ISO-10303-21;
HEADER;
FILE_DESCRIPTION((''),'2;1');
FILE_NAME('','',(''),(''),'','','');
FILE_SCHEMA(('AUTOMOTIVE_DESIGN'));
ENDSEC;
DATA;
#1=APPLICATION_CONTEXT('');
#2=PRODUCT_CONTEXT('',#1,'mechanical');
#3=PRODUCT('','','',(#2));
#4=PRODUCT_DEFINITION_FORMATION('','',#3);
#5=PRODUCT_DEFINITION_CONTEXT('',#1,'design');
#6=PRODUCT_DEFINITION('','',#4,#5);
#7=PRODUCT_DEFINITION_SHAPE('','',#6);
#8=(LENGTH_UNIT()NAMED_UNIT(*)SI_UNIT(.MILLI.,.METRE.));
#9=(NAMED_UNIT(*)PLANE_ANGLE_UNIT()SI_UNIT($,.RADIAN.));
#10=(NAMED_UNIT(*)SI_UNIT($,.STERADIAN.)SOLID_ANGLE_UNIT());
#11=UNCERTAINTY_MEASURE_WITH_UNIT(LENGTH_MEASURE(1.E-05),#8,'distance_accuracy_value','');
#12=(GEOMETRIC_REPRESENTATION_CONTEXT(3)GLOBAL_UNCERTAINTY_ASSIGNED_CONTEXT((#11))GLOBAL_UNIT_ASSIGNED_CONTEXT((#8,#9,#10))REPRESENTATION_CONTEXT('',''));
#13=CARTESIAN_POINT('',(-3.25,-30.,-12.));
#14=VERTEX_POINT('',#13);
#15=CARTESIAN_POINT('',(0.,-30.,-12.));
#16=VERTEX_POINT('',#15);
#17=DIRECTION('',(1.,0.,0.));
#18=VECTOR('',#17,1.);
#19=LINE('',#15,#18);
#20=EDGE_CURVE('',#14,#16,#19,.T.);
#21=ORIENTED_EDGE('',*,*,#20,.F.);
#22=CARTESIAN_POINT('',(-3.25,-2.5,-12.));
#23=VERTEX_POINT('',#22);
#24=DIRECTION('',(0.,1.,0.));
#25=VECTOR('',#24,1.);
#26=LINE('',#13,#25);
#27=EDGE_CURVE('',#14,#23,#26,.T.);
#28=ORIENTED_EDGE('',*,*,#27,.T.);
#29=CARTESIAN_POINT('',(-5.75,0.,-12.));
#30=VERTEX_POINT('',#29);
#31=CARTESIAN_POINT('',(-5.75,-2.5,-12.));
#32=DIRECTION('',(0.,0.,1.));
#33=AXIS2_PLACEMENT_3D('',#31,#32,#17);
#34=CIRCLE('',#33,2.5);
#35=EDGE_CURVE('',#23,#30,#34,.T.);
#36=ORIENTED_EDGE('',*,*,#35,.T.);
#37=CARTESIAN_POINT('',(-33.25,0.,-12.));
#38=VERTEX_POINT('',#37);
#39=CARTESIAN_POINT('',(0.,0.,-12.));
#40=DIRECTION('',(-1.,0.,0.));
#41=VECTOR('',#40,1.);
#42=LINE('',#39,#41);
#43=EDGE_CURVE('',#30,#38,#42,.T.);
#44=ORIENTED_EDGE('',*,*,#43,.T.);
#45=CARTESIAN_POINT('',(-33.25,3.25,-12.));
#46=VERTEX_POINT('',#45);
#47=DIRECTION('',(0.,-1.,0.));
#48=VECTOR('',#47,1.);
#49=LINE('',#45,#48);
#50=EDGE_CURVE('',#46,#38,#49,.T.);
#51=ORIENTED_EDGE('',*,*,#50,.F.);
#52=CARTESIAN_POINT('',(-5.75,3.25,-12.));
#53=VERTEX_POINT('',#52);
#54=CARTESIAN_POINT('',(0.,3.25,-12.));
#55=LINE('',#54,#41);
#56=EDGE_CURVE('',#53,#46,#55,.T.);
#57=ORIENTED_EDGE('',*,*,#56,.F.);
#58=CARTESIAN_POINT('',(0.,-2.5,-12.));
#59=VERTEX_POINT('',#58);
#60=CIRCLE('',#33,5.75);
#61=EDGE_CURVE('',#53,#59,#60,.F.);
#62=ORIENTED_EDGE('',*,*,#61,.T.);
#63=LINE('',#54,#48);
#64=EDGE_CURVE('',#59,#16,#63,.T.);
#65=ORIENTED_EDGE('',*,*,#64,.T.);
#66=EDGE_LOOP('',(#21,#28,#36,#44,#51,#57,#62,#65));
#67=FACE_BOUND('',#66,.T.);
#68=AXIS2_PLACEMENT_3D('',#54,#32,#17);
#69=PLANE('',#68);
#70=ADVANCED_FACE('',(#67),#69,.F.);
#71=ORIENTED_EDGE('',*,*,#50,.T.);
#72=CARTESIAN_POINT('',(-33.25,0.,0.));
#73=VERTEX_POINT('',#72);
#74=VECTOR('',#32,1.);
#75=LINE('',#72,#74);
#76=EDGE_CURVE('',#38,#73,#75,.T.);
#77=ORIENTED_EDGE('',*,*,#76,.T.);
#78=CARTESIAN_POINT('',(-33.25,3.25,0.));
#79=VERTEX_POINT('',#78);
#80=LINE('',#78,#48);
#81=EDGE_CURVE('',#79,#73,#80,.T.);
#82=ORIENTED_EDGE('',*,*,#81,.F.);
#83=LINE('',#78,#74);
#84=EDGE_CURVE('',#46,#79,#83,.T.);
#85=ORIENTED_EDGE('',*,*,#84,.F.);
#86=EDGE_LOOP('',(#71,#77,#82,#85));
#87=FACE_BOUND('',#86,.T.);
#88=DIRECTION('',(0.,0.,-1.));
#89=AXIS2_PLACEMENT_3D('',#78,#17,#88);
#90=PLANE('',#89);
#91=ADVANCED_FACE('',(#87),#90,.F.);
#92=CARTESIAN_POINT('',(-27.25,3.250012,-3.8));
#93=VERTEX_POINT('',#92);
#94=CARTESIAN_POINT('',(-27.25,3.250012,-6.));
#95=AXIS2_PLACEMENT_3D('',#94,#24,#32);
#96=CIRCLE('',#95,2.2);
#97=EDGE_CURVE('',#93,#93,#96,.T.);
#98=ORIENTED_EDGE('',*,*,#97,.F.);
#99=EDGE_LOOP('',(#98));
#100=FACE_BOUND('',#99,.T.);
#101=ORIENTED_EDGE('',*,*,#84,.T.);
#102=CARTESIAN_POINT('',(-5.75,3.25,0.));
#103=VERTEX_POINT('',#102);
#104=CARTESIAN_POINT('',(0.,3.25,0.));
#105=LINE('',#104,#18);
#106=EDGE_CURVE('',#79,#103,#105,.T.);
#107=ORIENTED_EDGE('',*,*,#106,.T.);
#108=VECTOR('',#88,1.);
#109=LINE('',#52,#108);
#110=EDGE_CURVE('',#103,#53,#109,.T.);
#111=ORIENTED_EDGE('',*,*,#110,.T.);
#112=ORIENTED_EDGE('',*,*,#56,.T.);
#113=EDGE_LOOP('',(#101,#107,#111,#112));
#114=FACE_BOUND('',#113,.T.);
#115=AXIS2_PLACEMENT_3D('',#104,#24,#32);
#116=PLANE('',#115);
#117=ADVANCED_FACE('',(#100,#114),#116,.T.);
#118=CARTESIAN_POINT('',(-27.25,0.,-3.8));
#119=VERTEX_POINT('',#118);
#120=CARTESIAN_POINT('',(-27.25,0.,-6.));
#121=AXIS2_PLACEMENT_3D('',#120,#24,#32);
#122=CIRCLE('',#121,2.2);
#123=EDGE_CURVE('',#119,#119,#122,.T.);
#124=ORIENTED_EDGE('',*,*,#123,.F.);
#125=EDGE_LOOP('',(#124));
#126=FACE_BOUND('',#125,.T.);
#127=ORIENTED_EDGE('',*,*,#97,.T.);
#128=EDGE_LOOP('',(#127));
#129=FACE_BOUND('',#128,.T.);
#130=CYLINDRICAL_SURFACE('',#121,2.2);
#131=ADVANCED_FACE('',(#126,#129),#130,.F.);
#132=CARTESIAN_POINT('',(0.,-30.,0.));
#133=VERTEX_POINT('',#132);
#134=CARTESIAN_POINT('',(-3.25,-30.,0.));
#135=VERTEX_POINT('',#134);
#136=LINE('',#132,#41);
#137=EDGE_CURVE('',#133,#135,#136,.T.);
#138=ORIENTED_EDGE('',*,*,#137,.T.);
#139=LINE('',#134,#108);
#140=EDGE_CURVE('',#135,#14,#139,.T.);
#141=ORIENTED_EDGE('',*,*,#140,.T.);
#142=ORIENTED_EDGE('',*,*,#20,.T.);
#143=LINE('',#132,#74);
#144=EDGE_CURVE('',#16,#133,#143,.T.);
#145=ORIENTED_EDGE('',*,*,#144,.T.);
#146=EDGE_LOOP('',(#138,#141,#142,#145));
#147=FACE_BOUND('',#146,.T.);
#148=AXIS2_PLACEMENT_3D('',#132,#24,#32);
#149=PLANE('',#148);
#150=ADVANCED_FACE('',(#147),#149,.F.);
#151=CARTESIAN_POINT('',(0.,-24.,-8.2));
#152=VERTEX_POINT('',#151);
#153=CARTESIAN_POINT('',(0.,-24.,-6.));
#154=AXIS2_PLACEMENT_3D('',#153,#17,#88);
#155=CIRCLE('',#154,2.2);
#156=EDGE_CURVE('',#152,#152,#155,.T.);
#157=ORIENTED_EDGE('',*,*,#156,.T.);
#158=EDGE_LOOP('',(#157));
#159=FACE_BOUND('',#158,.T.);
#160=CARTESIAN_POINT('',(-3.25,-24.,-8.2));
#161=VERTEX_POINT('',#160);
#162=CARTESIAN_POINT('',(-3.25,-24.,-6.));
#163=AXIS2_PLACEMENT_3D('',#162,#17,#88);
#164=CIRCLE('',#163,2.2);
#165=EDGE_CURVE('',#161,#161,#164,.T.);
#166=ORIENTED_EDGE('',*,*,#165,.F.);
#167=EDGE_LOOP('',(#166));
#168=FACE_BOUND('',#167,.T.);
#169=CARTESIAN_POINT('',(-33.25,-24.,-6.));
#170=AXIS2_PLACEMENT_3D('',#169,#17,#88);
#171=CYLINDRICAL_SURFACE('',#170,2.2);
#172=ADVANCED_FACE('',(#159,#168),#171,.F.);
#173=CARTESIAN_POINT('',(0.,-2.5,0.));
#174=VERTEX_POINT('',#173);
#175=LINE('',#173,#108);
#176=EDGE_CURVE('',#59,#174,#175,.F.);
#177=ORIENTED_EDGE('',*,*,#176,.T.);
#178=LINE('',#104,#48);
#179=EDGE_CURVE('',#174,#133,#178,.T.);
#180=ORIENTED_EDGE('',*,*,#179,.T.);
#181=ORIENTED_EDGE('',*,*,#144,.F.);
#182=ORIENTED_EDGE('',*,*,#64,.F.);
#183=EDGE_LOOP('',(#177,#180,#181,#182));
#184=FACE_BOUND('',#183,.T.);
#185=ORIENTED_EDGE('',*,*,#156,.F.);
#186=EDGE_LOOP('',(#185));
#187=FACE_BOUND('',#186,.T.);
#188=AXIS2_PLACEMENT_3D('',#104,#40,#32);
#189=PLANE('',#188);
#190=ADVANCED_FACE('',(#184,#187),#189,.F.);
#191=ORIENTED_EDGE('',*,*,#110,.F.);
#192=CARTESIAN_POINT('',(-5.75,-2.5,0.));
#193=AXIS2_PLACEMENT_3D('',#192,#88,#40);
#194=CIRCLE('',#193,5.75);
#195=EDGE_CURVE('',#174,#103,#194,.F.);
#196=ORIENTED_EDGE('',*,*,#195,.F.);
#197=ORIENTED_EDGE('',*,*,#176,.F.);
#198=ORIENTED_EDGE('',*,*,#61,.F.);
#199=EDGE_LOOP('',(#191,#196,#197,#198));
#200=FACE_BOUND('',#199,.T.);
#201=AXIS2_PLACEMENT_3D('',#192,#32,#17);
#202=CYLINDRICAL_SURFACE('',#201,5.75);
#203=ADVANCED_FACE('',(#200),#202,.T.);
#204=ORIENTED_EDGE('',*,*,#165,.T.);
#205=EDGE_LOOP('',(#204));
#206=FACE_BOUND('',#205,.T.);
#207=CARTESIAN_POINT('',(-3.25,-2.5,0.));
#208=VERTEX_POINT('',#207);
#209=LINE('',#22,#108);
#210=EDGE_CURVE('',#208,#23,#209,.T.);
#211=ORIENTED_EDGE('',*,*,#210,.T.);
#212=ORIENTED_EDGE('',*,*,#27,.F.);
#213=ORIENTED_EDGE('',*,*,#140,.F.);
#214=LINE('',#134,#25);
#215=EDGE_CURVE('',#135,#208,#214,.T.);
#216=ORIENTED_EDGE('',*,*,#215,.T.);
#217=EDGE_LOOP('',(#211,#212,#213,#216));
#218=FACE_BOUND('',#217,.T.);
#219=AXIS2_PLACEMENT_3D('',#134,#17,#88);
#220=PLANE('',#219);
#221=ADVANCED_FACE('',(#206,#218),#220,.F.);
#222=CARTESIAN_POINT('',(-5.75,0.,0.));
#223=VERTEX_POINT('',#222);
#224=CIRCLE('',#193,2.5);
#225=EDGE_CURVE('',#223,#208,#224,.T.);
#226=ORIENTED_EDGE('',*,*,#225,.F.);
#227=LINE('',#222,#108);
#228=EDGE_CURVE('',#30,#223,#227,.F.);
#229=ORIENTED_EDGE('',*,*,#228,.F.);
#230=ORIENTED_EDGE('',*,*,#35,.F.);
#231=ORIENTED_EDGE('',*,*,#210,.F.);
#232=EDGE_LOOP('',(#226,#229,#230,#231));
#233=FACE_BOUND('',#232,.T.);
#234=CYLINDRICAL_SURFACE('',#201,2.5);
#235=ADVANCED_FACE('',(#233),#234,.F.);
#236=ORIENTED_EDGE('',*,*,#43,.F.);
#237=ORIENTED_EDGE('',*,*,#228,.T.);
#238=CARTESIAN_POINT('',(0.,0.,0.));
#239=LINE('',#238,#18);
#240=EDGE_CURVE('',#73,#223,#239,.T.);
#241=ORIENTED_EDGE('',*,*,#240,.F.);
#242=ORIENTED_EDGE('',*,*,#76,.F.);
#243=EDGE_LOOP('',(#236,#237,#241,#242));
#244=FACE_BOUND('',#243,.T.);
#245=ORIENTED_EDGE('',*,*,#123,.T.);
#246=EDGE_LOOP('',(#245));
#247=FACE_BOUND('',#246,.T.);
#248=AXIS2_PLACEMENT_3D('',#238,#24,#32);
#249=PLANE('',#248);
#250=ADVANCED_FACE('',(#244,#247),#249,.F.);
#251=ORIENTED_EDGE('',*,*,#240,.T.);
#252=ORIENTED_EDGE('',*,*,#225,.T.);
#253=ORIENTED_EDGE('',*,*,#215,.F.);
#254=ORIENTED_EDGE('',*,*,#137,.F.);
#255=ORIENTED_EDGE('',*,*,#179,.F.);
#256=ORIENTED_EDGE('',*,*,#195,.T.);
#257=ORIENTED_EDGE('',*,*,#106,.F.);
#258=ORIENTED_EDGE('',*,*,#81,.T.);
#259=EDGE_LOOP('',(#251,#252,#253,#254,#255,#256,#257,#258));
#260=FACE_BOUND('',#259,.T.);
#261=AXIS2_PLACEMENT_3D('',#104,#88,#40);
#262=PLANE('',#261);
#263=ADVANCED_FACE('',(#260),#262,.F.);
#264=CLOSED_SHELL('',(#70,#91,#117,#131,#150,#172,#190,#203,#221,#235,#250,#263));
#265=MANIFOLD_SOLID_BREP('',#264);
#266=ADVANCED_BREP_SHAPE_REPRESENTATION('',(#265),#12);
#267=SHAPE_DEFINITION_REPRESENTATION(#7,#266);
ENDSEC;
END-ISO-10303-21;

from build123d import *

# Parameters (mm, degrees)
SKETCH1_W               = 33.25
SKETCH1_H               = 12
BOSS_EXTRUDE1_DEPTH     = 3.25
CUT_EXTRUDE1_DEPTH      = 36.498239393
CUT_EXTRUDE1_DEPTH_BACK = 36.498239393
SKETCH2_R               = 2.2
SKETCH3_W               = 3.25
SKETCH3_H               = 12
BOSS_EXTRUDE2_DEPTH     = 30
SKETCH4_R               = 2.2
CUT_EXTRUDE2_DEPTH      = 47.363374554
FILLET2_R               = 5.75
FILLET3_R               = 2.5


with BuildPart() as part:
    # Sketch1 → Boss-Extrude1 (new body)
    with BuildSketch(Plane(origin=(0, 0, 0), x_dir=(1, 0, 0), z_dir=(0, 1, 0))):
        with Locations((-16.625, 6)):
            Rectangle(SKETCH1_W, SKETCH1_H)
    extrude(amount=BOSS_EXTRUDE1_DEPTH)

    # Sketch2 → Cut-Extrude1 (cut, two sides: drawn at the far end of the back side and taken through both)
    with BuildSketch(Plane(origin=(0, 3.25, 0), x_dir=(1, 0, 0), z_dir=(0, 1, 0)).offset(-CUT_EXTRUDE1_DEPTH_BACK)):
        with Locations(Location((-27.25, 6, 0), (0, 0, 270))):
            Circle(SKETCH2_R)
    extrude(amount=CUT_EXTRUDE1_DEPTH + CUT_EXTRUDE1_DEPTH_BACK, mode=Mode.SUBTRACT)

    # Sketch3 → Boss-Extrude2 (add)
    with BuildSketch(Plane.XZ):
        with Locations((-1.625, -6)):
            Rectangle(SKETCH3_W, SKETCH3_H)
    extrude(amount=BOSS_EXTRUDE2_DEPTH)

    # Sketch4 → Cut-Extrude2 (cut, through all)
    with BuildSketch(Plane(origin=(0, 0, 0), x_dir=(0, 0, -1), z_dir=(1, 0, 0))):
        with Locations((6, -24)):
            Circle(SKETCH4_R)
    extrude(amount=-CUT_EXTRUDE2_DEPTH, mode=Mode.SUBTRACT)

    # Fillet2
    fillet2_edges = [part.edges().sort_by_distance(p)[0] for p in [
        (0, 3.25, -6),
    ]]
    fillet(fillet2_edges, radius=FILLET2_R)

    # Fillet3
    fillet3_edges = [part.edges().sort_by_distance(p)[0] for p in [
        (-3.25, 0, -6),
    ]]
    fillet(fillet3_edges, radius=FILLET3_R)


solid = part.part
